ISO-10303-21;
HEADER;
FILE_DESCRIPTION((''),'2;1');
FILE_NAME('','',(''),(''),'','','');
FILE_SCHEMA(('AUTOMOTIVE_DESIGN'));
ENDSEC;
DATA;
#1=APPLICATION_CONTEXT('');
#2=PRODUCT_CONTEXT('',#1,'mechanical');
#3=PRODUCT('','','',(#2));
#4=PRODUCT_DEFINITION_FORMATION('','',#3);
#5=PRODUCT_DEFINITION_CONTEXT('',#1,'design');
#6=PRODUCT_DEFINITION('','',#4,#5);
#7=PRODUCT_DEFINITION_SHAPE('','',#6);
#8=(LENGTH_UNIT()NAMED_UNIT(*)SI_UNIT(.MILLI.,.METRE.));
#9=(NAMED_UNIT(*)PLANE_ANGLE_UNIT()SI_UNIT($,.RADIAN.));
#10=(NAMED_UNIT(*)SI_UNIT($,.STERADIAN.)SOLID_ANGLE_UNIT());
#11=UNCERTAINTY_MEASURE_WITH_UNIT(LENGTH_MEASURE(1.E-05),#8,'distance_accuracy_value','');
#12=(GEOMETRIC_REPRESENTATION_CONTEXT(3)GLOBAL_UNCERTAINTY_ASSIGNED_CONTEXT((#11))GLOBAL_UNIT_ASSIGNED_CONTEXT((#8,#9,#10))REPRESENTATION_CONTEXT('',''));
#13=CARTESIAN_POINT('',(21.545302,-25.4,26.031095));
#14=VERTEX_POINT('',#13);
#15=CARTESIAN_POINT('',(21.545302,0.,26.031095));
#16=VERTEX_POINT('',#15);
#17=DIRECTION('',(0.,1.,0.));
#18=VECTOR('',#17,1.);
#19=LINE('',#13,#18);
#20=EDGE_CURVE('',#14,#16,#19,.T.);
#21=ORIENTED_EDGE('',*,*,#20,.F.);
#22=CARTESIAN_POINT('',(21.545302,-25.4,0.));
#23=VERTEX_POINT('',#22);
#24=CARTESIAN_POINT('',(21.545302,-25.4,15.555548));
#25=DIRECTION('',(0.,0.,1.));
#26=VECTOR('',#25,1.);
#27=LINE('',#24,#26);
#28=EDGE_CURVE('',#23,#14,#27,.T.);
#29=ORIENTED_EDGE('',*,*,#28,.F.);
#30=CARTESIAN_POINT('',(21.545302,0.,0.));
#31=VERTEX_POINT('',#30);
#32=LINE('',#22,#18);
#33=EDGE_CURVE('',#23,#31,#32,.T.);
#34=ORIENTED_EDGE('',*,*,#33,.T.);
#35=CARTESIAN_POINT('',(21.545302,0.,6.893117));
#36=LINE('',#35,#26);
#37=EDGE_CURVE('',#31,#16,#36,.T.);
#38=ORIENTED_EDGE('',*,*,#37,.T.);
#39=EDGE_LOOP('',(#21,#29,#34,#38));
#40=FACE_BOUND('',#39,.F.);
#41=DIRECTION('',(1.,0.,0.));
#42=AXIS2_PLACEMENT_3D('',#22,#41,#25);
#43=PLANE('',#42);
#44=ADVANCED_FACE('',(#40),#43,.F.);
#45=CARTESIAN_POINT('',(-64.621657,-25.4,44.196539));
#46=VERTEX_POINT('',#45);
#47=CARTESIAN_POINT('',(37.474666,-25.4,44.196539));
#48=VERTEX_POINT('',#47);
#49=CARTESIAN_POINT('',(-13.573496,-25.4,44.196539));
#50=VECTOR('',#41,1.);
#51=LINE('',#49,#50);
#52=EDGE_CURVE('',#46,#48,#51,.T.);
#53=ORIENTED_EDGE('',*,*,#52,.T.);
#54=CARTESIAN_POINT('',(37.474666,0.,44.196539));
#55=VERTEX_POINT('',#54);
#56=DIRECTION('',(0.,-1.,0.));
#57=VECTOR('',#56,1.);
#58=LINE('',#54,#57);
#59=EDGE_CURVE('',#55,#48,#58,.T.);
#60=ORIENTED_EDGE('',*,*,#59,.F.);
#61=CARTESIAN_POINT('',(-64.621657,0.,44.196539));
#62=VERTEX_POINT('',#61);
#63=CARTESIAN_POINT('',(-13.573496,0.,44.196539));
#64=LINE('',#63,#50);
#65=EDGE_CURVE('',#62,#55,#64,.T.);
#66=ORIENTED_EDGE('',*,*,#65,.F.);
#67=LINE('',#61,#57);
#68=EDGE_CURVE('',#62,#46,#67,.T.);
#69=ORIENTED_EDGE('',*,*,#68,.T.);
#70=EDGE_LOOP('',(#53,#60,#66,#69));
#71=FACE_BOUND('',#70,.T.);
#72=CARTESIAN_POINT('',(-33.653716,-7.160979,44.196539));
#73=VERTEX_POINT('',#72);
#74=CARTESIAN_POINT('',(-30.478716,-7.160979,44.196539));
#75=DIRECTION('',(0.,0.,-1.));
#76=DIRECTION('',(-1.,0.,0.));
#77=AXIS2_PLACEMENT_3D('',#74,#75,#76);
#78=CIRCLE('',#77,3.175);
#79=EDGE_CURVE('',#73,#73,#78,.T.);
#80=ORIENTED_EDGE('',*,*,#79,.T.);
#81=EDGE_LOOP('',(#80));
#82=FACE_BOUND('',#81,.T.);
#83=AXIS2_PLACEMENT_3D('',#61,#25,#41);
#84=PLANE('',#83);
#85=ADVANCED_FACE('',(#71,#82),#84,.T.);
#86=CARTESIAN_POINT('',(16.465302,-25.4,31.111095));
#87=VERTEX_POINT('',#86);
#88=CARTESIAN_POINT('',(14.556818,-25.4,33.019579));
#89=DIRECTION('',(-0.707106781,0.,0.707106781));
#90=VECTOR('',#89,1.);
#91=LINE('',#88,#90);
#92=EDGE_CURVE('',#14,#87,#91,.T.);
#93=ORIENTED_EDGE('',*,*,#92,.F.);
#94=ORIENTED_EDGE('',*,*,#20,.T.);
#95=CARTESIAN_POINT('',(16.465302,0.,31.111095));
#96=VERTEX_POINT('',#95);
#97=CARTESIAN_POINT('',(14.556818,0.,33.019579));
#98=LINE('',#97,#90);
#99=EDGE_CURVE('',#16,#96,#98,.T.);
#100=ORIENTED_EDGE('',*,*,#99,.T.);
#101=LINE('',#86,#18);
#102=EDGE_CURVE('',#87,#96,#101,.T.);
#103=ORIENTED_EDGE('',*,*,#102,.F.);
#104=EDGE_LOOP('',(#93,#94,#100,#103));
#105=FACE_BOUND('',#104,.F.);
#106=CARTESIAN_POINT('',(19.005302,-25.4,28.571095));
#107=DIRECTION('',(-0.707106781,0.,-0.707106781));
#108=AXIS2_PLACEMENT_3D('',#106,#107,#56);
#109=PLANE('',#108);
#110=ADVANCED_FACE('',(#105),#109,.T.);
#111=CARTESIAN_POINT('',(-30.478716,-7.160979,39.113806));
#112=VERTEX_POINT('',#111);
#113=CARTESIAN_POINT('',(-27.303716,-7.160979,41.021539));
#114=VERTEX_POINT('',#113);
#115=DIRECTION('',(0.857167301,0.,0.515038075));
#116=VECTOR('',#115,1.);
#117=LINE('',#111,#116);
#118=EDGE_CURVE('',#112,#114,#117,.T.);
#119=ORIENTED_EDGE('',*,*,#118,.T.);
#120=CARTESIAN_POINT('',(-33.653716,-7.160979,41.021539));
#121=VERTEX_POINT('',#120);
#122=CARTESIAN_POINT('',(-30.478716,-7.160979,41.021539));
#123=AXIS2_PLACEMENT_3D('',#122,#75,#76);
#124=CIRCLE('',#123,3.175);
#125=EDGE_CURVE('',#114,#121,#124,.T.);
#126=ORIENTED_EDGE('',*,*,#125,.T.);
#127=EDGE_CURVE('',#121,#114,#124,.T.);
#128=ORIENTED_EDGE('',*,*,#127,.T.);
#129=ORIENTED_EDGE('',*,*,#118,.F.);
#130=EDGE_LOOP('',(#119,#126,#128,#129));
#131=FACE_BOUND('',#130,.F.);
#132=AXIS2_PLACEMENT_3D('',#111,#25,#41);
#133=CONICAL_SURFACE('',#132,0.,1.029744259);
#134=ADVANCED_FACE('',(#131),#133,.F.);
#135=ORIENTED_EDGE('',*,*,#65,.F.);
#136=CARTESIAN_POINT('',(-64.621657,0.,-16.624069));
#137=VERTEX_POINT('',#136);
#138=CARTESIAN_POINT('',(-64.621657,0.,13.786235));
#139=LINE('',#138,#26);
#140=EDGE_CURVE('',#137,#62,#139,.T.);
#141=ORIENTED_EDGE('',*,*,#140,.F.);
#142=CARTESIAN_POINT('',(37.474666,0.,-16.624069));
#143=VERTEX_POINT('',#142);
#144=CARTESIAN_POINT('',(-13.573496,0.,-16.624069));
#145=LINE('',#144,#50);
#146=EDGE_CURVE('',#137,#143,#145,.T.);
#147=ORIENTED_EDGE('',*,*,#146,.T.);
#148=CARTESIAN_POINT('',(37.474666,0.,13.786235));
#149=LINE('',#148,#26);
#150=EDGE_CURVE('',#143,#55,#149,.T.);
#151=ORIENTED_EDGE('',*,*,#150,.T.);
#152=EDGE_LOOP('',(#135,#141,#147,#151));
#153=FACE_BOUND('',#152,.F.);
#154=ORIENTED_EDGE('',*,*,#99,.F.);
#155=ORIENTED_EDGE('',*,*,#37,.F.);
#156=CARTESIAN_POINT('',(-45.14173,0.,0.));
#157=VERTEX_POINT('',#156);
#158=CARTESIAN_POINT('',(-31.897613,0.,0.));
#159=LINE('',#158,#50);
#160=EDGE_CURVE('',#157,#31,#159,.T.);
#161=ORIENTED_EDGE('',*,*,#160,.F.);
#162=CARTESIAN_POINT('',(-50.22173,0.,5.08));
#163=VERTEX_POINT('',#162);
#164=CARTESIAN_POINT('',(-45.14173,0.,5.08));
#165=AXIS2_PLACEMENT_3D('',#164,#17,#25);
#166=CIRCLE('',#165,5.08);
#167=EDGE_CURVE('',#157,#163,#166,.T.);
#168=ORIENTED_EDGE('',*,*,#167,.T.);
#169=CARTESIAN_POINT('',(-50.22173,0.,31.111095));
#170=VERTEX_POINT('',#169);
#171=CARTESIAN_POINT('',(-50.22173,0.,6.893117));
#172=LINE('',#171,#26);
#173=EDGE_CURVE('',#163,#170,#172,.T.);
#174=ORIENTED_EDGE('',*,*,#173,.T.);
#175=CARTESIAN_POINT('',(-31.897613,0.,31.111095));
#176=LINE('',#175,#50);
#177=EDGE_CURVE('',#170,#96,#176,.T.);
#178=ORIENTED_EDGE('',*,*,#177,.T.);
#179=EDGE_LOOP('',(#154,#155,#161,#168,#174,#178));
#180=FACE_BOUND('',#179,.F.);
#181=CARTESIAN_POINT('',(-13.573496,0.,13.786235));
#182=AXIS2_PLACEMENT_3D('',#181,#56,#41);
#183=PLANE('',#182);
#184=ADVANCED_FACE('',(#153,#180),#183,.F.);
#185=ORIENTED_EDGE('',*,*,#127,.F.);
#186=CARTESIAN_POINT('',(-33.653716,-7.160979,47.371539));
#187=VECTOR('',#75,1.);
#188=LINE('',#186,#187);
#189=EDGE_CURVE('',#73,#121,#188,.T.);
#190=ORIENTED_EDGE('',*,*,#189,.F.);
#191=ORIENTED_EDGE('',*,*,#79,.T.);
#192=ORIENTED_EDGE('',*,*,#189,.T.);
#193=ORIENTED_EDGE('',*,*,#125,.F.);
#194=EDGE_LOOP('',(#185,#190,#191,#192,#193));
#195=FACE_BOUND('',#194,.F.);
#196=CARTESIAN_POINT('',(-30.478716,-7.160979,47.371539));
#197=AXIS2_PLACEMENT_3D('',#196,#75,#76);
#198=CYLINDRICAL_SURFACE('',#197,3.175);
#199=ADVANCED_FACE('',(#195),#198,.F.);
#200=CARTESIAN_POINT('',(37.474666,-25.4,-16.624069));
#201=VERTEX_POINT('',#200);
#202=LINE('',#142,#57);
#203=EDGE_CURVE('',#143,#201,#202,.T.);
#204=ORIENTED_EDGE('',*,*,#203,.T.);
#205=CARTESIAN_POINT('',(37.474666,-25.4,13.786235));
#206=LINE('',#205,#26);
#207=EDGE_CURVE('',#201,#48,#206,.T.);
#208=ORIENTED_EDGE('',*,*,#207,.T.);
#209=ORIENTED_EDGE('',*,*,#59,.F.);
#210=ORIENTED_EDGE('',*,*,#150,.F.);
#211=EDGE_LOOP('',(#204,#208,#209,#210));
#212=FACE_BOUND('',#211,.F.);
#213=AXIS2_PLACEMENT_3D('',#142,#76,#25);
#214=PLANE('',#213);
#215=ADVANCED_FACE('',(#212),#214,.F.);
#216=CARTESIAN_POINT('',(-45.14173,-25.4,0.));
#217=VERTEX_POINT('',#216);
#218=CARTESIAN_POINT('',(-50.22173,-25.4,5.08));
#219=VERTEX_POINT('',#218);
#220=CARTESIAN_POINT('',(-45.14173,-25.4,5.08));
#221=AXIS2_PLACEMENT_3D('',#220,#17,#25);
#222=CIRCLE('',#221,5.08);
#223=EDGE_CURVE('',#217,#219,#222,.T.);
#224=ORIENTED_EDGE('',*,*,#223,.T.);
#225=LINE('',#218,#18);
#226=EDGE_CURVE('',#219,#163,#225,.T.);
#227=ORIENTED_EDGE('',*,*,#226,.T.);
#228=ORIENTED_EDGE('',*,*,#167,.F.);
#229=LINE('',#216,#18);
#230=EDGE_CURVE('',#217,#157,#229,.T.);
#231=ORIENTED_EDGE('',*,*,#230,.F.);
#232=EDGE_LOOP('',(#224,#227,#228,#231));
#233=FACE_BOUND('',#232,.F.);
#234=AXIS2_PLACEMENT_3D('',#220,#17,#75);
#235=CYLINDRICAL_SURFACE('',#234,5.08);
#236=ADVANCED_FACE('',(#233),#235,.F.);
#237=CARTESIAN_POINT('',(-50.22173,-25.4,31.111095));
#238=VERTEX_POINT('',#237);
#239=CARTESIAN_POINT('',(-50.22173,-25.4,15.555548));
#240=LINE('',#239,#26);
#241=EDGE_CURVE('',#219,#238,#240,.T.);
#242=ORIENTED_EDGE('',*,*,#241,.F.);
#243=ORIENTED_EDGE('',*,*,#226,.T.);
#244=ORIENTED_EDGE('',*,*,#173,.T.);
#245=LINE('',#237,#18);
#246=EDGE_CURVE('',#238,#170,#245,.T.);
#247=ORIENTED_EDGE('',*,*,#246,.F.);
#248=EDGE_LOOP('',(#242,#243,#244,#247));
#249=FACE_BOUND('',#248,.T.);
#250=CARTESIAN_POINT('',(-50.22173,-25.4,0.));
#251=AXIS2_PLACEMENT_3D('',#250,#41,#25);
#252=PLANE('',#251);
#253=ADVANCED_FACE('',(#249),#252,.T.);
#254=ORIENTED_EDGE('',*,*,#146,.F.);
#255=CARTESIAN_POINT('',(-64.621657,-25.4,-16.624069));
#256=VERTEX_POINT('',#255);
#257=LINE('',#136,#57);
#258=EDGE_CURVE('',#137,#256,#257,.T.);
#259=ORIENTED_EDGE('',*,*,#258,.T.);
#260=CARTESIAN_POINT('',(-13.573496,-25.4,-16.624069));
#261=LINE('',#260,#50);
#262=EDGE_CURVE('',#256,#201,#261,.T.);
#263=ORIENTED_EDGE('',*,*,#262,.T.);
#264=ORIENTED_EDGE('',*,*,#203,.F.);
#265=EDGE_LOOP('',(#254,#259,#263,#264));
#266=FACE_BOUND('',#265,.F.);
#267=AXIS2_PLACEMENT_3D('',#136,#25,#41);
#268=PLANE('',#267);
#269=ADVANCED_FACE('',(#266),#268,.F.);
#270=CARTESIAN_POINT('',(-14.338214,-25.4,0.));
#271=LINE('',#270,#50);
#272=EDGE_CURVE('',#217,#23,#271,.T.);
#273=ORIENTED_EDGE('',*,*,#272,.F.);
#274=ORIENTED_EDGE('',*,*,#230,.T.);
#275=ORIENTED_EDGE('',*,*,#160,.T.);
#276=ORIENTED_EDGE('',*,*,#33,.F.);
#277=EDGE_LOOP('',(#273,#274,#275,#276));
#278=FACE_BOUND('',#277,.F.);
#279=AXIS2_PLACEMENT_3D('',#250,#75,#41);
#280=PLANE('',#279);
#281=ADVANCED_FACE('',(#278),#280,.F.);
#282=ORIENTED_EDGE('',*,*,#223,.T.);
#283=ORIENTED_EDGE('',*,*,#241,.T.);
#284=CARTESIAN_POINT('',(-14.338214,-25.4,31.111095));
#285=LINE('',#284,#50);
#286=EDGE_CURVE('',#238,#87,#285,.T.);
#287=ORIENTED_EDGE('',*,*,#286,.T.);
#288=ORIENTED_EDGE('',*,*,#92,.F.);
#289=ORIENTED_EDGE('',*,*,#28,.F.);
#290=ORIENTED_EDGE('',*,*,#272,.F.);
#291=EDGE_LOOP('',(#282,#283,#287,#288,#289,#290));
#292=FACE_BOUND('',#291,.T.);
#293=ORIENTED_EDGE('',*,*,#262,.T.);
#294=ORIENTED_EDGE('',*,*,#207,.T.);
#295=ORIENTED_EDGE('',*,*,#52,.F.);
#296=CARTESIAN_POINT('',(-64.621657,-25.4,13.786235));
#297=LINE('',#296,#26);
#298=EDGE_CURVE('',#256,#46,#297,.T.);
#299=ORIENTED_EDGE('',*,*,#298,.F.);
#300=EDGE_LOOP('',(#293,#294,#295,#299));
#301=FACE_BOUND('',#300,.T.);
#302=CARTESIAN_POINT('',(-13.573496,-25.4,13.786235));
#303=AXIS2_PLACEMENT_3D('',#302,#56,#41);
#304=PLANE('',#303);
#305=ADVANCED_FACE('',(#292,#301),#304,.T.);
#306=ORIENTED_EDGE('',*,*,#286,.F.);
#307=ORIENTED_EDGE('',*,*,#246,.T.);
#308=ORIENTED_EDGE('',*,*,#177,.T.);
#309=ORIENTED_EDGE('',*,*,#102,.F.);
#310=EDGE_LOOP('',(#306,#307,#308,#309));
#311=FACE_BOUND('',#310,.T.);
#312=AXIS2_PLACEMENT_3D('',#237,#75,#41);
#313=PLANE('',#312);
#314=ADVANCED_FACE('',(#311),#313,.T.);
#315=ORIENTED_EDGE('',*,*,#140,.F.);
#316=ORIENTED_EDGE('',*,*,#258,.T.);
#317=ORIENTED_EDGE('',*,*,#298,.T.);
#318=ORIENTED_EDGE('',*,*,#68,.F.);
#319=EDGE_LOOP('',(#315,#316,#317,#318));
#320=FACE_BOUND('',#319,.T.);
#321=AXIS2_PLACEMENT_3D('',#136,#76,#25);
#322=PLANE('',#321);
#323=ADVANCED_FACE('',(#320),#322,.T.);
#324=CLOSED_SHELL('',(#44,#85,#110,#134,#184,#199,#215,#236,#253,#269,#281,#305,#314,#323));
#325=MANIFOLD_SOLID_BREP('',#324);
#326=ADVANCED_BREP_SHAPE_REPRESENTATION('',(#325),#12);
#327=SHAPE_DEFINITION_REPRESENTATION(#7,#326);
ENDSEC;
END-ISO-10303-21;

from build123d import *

# Parameters (mm, degrees)
F0_W     = 102.0963229239
F0_H     = 60.8206074685
F1_DEPTH = 25.4
F2_W     = 71.7670321465
F2_H     = 31.1110951006
F3_DEPTH = 25.401
F4_R     = 5.08
F5_SIZE  = 5.08
F7_D     = 6.35
F7_DEPTH = 3.175
F7_TIP   = 1.9077324654


with BuildPart() as f1:
    # F0 (on Front) → F1 (new body)
    with BuildSketch(Plane.XZ):
        with Locations((-13.5734956712, 13.7862348929)):
            Rectangle(F0_W, F0_H)
    extrude(amount=F1_DEPTH)

    # F2 (on face) → F3 (cut, through all)
    with BuildSketch(Plane.XZ.offset(25.4)):
        with Locations((-14.3382139504, 15.5555475503)):
            Rectangle(F2_W, F2_H)
    extrude(amount=-F3_DEPTH, mode=Mode.SUBTRACT)

    # F4
    f4_edges = [f1.edges().sort_by_distance(p)[0] for p in [
        (-50.22173, -12.7, 0),
    ]]
    fillet(f4_edges, radius=F4_R)

    # F5
    f5_edges = [f1.edges().sort_by_distance(p)[0] for p in [
        (21.545302, -12.7, 31.111095),
    ]]
    chamfer(f5_edges, length=F5_SIZE)

    # F7
    with Locations(Plane.XY.offset(44.1965386271)):
        with Locations((-30.4787158966, -7.1609793231)):
            Hole(F7_D / 2, depth=F7_DEPTH)
            with Locations((0, 0, -(F7_DEPTH + F7_TIP / 2))):  # 118° drill point
                Cone(0, F7_D / 2, F7_TIP, mode=Mode.SUBTRACT)


solid = f1.part
